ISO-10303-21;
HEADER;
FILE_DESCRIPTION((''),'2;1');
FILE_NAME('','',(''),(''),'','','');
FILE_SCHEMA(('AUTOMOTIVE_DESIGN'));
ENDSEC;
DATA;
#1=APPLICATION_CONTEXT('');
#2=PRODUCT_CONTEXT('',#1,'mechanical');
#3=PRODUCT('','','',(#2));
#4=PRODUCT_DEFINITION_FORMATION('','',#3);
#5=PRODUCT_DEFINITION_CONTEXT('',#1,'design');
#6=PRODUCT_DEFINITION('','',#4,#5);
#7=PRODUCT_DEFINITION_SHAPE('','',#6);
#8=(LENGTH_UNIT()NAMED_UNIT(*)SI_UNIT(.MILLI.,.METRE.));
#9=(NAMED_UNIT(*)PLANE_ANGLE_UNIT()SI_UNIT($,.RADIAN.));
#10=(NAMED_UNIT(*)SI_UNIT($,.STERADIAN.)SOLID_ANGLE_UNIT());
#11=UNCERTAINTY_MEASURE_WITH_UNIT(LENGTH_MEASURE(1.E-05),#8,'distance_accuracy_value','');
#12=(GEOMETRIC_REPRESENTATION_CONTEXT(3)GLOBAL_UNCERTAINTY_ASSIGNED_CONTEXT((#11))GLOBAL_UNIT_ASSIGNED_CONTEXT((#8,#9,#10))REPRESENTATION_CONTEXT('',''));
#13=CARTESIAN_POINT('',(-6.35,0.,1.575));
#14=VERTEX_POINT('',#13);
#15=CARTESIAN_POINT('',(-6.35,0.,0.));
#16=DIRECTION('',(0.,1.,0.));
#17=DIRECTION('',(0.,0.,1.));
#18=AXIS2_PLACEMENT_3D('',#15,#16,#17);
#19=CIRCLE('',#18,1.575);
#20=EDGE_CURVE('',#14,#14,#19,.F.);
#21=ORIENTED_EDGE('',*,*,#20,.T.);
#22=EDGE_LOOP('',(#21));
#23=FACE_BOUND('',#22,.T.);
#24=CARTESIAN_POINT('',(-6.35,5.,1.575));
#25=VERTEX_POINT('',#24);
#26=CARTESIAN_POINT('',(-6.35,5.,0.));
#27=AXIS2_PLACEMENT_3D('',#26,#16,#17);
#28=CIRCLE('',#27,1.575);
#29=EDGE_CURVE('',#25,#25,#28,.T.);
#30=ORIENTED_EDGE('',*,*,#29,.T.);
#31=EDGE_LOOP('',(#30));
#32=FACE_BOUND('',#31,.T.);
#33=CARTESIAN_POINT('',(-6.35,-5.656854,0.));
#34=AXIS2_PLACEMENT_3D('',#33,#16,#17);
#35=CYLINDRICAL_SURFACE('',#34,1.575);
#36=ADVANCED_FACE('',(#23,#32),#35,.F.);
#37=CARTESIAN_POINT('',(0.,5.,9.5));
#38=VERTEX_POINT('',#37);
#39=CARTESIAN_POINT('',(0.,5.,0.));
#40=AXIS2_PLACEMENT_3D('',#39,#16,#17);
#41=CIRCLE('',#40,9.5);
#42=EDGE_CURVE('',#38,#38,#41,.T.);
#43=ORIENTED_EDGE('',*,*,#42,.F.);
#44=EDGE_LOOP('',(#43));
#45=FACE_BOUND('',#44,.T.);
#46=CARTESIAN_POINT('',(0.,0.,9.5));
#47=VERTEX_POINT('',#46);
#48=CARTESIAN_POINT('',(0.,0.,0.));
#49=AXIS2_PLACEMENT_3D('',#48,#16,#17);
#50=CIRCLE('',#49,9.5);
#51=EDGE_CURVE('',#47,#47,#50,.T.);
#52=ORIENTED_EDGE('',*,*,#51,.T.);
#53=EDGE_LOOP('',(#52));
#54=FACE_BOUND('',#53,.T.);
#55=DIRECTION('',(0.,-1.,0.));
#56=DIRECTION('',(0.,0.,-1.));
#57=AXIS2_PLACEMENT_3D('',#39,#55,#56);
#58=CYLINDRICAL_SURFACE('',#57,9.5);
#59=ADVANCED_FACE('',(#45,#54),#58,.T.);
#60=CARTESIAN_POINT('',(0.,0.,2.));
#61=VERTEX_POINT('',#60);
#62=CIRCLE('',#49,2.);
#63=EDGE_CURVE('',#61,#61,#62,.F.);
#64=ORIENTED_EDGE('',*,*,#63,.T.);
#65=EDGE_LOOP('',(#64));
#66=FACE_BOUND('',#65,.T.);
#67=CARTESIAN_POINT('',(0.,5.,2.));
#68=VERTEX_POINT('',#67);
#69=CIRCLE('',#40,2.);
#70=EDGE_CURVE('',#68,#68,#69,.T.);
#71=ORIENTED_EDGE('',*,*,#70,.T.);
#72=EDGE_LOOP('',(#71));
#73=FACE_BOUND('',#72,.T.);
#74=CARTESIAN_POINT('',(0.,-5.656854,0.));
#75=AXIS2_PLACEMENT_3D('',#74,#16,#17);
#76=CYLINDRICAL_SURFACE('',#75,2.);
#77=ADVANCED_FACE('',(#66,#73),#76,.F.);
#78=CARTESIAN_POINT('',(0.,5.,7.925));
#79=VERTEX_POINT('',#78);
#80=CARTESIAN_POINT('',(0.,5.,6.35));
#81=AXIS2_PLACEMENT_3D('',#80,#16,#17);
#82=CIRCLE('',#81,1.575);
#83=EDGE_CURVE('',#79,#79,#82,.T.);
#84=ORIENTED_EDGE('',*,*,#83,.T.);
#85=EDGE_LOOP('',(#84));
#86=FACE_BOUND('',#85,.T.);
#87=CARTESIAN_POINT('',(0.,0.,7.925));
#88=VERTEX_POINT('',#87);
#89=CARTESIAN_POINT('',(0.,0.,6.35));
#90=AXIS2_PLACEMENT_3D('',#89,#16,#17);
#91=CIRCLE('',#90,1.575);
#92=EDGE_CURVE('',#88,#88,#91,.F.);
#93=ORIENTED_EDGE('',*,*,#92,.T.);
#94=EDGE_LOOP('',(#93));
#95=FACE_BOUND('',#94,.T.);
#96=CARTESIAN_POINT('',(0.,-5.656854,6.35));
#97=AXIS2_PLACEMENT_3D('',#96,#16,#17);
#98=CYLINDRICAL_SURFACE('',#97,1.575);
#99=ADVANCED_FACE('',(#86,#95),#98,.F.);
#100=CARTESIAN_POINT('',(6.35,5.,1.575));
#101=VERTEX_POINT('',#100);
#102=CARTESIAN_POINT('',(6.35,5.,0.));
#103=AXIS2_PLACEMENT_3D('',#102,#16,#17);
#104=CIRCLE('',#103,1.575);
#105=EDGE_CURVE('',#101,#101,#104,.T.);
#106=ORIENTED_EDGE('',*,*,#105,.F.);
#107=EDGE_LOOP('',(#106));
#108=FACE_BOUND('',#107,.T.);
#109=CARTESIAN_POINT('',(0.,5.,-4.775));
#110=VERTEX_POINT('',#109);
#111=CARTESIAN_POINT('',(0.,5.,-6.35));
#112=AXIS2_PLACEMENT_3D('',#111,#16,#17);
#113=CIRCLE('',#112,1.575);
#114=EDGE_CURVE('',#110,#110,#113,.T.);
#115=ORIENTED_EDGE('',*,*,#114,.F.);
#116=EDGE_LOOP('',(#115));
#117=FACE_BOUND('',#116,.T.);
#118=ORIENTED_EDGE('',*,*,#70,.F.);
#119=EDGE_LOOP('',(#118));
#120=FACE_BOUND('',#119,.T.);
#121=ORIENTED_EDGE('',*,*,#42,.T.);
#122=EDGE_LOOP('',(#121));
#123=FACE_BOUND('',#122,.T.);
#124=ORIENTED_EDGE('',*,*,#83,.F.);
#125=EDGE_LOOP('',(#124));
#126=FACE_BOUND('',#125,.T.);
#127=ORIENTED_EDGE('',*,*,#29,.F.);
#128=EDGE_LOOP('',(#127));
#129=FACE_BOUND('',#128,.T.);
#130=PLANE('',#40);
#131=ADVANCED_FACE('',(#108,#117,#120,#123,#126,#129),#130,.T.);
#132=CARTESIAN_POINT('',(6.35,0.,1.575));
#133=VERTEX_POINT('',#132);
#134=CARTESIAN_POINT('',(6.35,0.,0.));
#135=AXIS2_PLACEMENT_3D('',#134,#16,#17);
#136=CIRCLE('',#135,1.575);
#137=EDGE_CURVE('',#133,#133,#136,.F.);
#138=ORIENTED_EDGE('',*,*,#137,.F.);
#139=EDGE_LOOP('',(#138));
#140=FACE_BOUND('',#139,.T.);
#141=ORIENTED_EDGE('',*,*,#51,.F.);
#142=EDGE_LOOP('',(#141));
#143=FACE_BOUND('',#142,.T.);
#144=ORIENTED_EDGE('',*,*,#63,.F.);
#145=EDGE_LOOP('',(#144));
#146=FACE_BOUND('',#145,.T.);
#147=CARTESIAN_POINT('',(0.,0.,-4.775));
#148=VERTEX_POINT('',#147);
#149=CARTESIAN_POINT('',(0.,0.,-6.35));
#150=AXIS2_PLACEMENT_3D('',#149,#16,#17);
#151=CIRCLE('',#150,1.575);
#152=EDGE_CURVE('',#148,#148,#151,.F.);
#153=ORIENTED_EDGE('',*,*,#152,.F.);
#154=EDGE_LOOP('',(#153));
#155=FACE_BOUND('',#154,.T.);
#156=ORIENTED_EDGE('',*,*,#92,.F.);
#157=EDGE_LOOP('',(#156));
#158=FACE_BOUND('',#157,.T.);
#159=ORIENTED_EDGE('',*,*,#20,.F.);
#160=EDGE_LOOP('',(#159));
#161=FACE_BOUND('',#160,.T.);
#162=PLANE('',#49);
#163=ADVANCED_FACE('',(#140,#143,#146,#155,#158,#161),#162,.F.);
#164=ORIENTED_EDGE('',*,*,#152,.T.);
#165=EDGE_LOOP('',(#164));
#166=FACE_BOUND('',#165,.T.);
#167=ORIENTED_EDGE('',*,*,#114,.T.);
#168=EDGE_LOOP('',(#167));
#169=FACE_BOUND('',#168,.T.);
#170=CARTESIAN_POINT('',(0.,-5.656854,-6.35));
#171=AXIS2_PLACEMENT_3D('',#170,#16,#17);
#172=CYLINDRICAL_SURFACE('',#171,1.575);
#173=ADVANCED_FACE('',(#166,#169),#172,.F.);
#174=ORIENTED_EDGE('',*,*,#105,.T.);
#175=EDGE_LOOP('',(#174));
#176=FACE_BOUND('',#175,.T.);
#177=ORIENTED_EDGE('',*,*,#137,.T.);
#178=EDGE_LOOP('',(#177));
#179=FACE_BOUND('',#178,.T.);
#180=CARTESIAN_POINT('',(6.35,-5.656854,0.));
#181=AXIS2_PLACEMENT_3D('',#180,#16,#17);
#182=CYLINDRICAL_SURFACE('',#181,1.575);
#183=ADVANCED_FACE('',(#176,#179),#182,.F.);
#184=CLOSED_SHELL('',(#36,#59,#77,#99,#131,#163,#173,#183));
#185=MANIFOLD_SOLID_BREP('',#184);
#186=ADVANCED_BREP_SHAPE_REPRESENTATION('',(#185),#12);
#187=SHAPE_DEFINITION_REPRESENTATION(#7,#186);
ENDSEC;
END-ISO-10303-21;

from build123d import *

# Parameters (mm, degrees)
SKETCH1_R           = 9.5
BOSS_EXTRUDE1_DEPTH = 5
SKETCH2_R           = 1.575
SKETCH2_R_2         = 2
CUT_EXTRUDE1_DEPTH  = 5


with BuildPart() as part:
    # Sketch1 → Boss-Extrude1 (new body)
    with BuildSketch(Plane(origin=(0, 0, 0), x_dir=(1, 0, 0), z_dir=(0, 1, 0))):
        Circle(SKETCH1_R)
    extrude(amount=BOSS_EXTRUDE1_DEPTH)

    # Sketch2 → Cut-Extrude1 (cut)
    with BuildSketch(Plane(origin=(0, 5, 0), x_dir=(1, 0, 0), z_dir=(0, 1, 0))):
        with Locations((0, 6.35)):
            Circle(SKETCH2_R)
        with Locations((6.35, 0)):
            Circle(SKETCH2_R)
        with Locations((0, -6.35)):
            Circle(SKETCH2_R)
        with Locations((-6.35, 0)):
            Circle(SKETCH2_R)
        Circle(SKETCH2_R_2)
    extrude(amount=-CUT_EXTRUDE1_DEPTH, mode=Mode.SUBTRACT)


solid = part.part
